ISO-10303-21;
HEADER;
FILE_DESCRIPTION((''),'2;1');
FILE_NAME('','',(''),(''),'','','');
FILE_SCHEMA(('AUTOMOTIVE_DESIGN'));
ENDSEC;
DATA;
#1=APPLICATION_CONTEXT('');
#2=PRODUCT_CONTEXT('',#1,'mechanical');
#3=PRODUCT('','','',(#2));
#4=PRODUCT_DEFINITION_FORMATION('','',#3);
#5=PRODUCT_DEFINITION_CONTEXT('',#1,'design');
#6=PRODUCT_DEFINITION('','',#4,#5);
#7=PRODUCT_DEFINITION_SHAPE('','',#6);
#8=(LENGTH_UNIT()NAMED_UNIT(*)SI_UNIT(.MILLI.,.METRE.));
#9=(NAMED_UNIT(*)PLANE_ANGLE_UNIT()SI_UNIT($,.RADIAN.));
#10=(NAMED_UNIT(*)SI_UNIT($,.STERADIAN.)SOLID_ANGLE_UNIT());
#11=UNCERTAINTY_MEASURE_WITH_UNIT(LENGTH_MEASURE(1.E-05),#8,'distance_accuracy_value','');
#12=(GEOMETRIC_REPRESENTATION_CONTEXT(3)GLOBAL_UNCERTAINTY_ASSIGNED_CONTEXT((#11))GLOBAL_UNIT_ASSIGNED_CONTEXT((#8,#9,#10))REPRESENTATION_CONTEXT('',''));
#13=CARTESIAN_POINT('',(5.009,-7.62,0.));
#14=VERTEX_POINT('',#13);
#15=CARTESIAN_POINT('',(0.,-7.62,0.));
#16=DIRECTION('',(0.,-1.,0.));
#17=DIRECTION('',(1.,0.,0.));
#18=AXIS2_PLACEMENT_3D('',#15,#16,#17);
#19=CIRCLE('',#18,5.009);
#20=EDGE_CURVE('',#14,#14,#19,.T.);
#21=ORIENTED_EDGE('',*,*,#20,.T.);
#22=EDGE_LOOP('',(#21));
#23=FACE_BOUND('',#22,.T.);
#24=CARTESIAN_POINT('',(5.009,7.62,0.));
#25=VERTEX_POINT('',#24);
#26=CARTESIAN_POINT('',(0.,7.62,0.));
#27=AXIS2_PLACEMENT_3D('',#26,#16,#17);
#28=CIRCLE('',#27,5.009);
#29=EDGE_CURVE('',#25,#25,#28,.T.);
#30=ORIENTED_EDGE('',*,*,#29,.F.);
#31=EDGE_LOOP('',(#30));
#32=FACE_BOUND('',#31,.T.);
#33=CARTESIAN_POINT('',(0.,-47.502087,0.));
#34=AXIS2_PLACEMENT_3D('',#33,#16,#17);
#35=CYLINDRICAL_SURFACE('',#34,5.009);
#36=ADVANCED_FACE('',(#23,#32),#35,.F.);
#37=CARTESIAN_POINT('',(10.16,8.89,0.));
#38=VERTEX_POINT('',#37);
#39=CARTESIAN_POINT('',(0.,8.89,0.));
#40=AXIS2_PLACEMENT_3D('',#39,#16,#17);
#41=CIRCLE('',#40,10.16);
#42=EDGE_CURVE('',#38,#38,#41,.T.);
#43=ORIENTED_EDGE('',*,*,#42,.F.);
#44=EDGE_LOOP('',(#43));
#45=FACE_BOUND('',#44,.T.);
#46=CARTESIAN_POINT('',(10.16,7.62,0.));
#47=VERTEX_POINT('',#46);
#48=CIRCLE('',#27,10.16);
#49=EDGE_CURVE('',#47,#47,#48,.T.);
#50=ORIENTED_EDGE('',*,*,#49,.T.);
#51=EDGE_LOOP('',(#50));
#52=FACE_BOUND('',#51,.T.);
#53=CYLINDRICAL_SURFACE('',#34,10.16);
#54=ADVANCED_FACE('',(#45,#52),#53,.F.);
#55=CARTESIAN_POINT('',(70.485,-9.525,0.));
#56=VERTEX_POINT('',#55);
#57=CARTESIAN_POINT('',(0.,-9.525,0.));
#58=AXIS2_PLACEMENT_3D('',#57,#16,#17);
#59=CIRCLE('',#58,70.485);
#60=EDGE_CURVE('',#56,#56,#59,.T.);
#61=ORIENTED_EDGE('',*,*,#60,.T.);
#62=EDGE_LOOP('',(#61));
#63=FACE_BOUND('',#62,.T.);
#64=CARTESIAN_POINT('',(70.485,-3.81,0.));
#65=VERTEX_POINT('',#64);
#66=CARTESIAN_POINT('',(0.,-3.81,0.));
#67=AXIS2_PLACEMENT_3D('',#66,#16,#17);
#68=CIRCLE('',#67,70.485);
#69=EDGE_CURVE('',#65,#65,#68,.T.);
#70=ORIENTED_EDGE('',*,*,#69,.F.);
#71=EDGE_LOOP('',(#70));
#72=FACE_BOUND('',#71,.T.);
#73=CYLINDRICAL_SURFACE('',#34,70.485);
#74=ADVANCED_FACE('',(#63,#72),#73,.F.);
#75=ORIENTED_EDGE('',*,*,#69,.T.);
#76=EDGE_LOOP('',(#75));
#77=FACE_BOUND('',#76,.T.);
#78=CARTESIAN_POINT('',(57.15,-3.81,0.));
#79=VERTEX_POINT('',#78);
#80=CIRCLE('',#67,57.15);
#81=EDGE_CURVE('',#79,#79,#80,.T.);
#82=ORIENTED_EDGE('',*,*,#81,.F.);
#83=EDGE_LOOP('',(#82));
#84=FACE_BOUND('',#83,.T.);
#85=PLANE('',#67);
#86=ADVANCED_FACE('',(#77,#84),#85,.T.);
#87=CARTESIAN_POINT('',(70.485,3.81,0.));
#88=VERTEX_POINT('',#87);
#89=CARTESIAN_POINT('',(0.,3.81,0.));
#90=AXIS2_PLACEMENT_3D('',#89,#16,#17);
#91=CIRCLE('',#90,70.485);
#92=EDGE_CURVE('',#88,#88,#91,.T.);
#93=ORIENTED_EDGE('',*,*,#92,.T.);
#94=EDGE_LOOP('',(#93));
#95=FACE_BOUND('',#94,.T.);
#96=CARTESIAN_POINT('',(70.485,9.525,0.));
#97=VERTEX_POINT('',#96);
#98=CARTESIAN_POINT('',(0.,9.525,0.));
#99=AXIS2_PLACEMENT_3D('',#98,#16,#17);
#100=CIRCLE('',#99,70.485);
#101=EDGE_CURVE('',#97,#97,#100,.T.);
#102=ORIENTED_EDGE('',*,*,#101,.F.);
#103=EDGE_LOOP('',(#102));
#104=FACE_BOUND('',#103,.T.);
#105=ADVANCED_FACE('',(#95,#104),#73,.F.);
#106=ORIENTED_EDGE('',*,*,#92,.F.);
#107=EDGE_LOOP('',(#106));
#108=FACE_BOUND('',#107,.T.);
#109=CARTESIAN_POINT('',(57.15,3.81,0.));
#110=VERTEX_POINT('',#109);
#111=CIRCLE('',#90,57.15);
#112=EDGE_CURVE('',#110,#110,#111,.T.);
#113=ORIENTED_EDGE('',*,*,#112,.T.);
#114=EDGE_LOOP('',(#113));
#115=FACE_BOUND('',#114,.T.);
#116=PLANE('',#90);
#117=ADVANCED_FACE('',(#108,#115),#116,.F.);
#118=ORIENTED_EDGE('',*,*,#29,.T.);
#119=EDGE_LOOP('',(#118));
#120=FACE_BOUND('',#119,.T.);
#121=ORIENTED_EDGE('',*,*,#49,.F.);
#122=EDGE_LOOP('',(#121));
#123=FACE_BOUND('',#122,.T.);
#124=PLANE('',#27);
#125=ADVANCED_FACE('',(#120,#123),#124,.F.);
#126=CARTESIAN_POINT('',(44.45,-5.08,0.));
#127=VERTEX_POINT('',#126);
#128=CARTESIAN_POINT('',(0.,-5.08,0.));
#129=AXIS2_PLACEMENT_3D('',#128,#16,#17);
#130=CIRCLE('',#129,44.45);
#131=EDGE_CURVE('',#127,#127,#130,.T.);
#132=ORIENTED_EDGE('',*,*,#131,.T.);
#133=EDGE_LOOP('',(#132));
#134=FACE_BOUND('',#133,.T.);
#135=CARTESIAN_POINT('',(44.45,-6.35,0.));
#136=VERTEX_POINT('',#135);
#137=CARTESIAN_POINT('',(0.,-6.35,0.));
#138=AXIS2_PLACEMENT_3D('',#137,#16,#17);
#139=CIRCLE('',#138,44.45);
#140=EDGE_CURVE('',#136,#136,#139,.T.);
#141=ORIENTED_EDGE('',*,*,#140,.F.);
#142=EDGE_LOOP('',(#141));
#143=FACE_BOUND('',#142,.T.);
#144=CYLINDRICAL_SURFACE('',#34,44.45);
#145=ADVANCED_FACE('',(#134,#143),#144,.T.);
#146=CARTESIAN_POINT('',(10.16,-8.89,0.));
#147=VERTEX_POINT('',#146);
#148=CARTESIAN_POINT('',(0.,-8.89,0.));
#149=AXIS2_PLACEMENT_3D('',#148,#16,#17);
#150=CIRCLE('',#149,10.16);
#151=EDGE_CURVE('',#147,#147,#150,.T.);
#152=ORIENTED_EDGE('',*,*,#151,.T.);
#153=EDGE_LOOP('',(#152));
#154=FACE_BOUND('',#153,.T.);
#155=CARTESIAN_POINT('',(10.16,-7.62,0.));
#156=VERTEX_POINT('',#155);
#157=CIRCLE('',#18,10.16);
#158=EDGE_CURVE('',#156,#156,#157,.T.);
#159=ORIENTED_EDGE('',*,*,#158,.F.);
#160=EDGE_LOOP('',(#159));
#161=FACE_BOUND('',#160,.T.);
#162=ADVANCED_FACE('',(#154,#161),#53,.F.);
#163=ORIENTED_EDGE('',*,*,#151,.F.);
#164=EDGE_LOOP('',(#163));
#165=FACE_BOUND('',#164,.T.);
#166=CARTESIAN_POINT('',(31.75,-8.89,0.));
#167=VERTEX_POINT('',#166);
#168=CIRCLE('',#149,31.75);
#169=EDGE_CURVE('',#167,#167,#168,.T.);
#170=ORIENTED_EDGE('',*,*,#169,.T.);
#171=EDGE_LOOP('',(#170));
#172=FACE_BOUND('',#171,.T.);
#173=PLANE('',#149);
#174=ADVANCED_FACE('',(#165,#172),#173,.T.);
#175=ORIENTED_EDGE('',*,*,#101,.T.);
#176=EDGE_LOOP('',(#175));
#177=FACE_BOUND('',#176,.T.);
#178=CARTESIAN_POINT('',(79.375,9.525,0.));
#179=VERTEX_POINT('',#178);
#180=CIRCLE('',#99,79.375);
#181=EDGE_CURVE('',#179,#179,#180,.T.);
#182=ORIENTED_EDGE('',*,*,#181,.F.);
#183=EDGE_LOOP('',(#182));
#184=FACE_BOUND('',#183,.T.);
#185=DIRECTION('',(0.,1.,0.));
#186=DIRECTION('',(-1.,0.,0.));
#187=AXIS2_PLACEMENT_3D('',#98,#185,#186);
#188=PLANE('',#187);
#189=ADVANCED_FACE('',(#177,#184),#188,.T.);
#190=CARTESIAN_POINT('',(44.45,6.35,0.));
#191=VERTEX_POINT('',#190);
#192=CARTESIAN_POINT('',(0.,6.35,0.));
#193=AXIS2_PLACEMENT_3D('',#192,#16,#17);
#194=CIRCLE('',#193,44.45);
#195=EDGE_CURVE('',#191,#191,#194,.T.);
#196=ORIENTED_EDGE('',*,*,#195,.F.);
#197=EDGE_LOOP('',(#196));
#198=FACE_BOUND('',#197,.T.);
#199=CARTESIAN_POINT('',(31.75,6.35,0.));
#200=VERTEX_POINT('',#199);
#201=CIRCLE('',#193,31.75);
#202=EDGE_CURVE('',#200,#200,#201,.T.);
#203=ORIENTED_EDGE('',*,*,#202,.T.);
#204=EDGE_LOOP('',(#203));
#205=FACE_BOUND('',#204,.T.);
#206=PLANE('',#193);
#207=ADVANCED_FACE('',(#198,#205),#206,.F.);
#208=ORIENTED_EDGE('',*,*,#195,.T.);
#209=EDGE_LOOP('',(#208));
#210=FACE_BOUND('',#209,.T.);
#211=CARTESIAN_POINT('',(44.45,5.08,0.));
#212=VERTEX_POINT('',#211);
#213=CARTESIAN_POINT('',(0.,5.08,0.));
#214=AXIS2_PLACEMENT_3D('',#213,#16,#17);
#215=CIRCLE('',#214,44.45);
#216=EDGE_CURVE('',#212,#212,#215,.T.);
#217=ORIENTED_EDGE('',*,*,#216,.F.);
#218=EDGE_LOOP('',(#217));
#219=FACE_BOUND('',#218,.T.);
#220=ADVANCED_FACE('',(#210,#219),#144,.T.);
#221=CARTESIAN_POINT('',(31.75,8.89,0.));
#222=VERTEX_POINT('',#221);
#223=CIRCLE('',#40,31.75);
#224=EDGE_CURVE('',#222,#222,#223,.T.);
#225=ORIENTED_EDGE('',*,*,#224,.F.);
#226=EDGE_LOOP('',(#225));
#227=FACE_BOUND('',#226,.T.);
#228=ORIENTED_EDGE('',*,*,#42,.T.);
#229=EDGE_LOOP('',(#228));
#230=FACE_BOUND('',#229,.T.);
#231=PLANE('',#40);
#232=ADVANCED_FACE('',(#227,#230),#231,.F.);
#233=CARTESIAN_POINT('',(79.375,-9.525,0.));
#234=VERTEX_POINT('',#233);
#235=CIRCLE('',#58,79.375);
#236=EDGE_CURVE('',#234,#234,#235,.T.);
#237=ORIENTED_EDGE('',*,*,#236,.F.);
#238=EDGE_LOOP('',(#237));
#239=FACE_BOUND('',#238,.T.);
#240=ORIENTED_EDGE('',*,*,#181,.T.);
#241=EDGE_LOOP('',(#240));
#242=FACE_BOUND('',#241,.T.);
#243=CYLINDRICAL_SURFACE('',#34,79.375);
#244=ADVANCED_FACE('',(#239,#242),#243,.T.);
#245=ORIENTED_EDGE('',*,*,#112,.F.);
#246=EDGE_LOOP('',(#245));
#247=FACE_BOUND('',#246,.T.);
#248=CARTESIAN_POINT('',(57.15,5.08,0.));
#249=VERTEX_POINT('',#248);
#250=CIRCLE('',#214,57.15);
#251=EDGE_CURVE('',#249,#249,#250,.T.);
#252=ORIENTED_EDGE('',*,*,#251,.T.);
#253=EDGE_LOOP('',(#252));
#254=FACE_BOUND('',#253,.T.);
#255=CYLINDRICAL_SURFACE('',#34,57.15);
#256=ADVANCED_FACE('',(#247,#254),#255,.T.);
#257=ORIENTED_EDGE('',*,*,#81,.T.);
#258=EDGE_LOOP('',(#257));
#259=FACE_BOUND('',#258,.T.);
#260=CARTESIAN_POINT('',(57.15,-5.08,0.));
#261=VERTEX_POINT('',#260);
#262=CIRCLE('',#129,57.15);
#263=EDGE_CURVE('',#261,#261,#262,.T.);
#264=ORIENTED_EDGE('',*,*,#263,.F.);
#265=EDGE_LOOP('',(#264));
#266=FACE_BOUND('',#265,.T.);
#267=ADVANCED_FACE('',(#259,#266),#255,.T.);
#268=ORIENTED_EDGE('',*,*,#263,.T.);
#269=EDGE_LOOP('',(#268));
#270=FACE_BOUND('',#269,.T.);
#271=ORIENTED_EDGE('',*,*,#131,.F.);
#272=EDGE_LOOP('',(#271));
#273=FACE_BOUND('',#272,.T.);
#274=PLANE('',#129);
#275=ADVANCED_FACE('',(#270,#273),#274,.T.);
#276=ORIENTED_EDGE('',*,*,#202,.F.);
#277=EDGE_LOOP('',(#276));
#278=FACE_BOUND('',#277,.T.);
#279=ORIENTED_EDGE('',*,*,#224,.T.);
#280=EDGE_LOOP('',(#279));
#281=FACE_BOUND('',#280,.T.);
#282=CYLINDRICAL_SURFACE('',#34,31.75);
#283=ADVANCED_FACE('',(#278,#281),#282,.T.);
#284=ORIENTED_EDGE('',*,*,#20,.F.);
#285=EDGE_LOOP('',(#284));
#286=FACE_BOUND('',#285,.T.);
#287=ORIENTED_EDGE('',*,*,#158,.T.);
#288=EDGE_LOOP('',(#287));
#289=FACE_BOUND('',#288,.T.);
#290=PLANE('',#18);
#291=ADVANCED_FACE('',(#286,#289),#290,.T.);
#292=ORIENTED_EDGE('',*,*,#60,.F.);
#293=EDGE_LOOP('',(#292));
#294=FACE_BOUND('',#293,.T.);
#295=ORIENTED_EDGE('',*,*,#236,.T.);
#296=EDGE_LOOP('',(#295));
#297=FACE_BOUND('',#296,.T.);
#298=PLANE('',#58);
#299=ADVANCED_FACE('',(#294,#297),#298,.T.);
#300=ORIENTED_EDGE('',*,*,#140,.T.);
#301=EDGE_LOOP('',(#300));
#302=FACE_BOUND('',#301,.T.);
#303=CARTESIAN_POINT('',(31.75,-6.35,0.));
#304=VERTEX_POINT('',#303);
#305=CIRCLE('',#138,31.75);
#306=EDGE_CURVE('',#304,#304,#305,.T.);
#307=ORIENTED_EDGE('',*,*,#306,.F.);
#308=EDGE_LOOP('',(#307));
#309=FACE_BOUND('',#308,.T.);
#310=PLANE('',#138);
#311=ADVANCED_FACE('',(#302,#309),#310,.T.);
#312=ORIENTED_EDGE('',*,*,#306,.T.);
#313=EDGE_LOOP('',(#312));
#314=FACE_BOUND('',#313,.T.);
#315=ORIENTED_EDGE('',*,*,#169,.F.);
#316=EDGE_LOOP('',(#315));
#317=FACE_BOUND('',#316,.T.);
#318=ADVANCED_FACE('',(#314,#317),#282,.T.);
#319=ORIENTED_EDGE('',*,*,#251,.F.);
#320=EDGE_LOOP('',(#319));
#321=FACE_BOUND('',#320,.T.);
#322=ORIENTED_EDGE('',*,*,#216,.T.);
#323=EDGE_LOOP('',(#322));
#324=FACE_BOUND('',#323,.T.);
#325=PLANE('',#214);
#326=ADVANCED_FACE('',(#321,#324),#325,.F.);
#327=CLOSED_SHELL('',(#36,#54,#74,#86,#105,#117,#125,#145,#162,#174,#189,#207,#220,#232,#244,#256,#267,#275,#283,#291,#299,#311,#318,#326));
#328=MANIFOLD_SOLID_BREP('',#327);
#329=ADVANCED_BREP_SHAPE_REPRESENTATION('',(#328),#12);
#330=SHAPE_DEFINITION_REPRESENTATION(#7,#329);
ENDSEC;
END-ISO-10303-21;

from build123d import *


with BuildPart() as part:
    # Sketch3 → Revolve1 (revolve)
    with BuildSketch(Plane.XY):
        Polygon((73.025, -9.525), (79.375, -9.525), (79.375, 9.525), (73.025, 9.525), (70.485, 9.525), (70.485, 3.81), (57.15, 3.81), (57.15, 5.08), (44.45, 5.08), (44.45, 6.35), (31.75, 6.35), (31.75, 8.89), (10.16, 8.89), (10.16, 7.62), (5.009, 7.62), (5.009, -7.62), (10.16, -7.62), (10.16, -8.89), (31.75, -8.89), (31.75, -6.35), (44.45, -6.35), (44.45, -5.08), (57.15, -5.08), (57.15, -3.81), (70.485, -3.81), (70.485, -9.525), align=None)
    revolve(axis=Axis((0, -47.50208651, 0), (0, 1, 0)))


solid = part.part
